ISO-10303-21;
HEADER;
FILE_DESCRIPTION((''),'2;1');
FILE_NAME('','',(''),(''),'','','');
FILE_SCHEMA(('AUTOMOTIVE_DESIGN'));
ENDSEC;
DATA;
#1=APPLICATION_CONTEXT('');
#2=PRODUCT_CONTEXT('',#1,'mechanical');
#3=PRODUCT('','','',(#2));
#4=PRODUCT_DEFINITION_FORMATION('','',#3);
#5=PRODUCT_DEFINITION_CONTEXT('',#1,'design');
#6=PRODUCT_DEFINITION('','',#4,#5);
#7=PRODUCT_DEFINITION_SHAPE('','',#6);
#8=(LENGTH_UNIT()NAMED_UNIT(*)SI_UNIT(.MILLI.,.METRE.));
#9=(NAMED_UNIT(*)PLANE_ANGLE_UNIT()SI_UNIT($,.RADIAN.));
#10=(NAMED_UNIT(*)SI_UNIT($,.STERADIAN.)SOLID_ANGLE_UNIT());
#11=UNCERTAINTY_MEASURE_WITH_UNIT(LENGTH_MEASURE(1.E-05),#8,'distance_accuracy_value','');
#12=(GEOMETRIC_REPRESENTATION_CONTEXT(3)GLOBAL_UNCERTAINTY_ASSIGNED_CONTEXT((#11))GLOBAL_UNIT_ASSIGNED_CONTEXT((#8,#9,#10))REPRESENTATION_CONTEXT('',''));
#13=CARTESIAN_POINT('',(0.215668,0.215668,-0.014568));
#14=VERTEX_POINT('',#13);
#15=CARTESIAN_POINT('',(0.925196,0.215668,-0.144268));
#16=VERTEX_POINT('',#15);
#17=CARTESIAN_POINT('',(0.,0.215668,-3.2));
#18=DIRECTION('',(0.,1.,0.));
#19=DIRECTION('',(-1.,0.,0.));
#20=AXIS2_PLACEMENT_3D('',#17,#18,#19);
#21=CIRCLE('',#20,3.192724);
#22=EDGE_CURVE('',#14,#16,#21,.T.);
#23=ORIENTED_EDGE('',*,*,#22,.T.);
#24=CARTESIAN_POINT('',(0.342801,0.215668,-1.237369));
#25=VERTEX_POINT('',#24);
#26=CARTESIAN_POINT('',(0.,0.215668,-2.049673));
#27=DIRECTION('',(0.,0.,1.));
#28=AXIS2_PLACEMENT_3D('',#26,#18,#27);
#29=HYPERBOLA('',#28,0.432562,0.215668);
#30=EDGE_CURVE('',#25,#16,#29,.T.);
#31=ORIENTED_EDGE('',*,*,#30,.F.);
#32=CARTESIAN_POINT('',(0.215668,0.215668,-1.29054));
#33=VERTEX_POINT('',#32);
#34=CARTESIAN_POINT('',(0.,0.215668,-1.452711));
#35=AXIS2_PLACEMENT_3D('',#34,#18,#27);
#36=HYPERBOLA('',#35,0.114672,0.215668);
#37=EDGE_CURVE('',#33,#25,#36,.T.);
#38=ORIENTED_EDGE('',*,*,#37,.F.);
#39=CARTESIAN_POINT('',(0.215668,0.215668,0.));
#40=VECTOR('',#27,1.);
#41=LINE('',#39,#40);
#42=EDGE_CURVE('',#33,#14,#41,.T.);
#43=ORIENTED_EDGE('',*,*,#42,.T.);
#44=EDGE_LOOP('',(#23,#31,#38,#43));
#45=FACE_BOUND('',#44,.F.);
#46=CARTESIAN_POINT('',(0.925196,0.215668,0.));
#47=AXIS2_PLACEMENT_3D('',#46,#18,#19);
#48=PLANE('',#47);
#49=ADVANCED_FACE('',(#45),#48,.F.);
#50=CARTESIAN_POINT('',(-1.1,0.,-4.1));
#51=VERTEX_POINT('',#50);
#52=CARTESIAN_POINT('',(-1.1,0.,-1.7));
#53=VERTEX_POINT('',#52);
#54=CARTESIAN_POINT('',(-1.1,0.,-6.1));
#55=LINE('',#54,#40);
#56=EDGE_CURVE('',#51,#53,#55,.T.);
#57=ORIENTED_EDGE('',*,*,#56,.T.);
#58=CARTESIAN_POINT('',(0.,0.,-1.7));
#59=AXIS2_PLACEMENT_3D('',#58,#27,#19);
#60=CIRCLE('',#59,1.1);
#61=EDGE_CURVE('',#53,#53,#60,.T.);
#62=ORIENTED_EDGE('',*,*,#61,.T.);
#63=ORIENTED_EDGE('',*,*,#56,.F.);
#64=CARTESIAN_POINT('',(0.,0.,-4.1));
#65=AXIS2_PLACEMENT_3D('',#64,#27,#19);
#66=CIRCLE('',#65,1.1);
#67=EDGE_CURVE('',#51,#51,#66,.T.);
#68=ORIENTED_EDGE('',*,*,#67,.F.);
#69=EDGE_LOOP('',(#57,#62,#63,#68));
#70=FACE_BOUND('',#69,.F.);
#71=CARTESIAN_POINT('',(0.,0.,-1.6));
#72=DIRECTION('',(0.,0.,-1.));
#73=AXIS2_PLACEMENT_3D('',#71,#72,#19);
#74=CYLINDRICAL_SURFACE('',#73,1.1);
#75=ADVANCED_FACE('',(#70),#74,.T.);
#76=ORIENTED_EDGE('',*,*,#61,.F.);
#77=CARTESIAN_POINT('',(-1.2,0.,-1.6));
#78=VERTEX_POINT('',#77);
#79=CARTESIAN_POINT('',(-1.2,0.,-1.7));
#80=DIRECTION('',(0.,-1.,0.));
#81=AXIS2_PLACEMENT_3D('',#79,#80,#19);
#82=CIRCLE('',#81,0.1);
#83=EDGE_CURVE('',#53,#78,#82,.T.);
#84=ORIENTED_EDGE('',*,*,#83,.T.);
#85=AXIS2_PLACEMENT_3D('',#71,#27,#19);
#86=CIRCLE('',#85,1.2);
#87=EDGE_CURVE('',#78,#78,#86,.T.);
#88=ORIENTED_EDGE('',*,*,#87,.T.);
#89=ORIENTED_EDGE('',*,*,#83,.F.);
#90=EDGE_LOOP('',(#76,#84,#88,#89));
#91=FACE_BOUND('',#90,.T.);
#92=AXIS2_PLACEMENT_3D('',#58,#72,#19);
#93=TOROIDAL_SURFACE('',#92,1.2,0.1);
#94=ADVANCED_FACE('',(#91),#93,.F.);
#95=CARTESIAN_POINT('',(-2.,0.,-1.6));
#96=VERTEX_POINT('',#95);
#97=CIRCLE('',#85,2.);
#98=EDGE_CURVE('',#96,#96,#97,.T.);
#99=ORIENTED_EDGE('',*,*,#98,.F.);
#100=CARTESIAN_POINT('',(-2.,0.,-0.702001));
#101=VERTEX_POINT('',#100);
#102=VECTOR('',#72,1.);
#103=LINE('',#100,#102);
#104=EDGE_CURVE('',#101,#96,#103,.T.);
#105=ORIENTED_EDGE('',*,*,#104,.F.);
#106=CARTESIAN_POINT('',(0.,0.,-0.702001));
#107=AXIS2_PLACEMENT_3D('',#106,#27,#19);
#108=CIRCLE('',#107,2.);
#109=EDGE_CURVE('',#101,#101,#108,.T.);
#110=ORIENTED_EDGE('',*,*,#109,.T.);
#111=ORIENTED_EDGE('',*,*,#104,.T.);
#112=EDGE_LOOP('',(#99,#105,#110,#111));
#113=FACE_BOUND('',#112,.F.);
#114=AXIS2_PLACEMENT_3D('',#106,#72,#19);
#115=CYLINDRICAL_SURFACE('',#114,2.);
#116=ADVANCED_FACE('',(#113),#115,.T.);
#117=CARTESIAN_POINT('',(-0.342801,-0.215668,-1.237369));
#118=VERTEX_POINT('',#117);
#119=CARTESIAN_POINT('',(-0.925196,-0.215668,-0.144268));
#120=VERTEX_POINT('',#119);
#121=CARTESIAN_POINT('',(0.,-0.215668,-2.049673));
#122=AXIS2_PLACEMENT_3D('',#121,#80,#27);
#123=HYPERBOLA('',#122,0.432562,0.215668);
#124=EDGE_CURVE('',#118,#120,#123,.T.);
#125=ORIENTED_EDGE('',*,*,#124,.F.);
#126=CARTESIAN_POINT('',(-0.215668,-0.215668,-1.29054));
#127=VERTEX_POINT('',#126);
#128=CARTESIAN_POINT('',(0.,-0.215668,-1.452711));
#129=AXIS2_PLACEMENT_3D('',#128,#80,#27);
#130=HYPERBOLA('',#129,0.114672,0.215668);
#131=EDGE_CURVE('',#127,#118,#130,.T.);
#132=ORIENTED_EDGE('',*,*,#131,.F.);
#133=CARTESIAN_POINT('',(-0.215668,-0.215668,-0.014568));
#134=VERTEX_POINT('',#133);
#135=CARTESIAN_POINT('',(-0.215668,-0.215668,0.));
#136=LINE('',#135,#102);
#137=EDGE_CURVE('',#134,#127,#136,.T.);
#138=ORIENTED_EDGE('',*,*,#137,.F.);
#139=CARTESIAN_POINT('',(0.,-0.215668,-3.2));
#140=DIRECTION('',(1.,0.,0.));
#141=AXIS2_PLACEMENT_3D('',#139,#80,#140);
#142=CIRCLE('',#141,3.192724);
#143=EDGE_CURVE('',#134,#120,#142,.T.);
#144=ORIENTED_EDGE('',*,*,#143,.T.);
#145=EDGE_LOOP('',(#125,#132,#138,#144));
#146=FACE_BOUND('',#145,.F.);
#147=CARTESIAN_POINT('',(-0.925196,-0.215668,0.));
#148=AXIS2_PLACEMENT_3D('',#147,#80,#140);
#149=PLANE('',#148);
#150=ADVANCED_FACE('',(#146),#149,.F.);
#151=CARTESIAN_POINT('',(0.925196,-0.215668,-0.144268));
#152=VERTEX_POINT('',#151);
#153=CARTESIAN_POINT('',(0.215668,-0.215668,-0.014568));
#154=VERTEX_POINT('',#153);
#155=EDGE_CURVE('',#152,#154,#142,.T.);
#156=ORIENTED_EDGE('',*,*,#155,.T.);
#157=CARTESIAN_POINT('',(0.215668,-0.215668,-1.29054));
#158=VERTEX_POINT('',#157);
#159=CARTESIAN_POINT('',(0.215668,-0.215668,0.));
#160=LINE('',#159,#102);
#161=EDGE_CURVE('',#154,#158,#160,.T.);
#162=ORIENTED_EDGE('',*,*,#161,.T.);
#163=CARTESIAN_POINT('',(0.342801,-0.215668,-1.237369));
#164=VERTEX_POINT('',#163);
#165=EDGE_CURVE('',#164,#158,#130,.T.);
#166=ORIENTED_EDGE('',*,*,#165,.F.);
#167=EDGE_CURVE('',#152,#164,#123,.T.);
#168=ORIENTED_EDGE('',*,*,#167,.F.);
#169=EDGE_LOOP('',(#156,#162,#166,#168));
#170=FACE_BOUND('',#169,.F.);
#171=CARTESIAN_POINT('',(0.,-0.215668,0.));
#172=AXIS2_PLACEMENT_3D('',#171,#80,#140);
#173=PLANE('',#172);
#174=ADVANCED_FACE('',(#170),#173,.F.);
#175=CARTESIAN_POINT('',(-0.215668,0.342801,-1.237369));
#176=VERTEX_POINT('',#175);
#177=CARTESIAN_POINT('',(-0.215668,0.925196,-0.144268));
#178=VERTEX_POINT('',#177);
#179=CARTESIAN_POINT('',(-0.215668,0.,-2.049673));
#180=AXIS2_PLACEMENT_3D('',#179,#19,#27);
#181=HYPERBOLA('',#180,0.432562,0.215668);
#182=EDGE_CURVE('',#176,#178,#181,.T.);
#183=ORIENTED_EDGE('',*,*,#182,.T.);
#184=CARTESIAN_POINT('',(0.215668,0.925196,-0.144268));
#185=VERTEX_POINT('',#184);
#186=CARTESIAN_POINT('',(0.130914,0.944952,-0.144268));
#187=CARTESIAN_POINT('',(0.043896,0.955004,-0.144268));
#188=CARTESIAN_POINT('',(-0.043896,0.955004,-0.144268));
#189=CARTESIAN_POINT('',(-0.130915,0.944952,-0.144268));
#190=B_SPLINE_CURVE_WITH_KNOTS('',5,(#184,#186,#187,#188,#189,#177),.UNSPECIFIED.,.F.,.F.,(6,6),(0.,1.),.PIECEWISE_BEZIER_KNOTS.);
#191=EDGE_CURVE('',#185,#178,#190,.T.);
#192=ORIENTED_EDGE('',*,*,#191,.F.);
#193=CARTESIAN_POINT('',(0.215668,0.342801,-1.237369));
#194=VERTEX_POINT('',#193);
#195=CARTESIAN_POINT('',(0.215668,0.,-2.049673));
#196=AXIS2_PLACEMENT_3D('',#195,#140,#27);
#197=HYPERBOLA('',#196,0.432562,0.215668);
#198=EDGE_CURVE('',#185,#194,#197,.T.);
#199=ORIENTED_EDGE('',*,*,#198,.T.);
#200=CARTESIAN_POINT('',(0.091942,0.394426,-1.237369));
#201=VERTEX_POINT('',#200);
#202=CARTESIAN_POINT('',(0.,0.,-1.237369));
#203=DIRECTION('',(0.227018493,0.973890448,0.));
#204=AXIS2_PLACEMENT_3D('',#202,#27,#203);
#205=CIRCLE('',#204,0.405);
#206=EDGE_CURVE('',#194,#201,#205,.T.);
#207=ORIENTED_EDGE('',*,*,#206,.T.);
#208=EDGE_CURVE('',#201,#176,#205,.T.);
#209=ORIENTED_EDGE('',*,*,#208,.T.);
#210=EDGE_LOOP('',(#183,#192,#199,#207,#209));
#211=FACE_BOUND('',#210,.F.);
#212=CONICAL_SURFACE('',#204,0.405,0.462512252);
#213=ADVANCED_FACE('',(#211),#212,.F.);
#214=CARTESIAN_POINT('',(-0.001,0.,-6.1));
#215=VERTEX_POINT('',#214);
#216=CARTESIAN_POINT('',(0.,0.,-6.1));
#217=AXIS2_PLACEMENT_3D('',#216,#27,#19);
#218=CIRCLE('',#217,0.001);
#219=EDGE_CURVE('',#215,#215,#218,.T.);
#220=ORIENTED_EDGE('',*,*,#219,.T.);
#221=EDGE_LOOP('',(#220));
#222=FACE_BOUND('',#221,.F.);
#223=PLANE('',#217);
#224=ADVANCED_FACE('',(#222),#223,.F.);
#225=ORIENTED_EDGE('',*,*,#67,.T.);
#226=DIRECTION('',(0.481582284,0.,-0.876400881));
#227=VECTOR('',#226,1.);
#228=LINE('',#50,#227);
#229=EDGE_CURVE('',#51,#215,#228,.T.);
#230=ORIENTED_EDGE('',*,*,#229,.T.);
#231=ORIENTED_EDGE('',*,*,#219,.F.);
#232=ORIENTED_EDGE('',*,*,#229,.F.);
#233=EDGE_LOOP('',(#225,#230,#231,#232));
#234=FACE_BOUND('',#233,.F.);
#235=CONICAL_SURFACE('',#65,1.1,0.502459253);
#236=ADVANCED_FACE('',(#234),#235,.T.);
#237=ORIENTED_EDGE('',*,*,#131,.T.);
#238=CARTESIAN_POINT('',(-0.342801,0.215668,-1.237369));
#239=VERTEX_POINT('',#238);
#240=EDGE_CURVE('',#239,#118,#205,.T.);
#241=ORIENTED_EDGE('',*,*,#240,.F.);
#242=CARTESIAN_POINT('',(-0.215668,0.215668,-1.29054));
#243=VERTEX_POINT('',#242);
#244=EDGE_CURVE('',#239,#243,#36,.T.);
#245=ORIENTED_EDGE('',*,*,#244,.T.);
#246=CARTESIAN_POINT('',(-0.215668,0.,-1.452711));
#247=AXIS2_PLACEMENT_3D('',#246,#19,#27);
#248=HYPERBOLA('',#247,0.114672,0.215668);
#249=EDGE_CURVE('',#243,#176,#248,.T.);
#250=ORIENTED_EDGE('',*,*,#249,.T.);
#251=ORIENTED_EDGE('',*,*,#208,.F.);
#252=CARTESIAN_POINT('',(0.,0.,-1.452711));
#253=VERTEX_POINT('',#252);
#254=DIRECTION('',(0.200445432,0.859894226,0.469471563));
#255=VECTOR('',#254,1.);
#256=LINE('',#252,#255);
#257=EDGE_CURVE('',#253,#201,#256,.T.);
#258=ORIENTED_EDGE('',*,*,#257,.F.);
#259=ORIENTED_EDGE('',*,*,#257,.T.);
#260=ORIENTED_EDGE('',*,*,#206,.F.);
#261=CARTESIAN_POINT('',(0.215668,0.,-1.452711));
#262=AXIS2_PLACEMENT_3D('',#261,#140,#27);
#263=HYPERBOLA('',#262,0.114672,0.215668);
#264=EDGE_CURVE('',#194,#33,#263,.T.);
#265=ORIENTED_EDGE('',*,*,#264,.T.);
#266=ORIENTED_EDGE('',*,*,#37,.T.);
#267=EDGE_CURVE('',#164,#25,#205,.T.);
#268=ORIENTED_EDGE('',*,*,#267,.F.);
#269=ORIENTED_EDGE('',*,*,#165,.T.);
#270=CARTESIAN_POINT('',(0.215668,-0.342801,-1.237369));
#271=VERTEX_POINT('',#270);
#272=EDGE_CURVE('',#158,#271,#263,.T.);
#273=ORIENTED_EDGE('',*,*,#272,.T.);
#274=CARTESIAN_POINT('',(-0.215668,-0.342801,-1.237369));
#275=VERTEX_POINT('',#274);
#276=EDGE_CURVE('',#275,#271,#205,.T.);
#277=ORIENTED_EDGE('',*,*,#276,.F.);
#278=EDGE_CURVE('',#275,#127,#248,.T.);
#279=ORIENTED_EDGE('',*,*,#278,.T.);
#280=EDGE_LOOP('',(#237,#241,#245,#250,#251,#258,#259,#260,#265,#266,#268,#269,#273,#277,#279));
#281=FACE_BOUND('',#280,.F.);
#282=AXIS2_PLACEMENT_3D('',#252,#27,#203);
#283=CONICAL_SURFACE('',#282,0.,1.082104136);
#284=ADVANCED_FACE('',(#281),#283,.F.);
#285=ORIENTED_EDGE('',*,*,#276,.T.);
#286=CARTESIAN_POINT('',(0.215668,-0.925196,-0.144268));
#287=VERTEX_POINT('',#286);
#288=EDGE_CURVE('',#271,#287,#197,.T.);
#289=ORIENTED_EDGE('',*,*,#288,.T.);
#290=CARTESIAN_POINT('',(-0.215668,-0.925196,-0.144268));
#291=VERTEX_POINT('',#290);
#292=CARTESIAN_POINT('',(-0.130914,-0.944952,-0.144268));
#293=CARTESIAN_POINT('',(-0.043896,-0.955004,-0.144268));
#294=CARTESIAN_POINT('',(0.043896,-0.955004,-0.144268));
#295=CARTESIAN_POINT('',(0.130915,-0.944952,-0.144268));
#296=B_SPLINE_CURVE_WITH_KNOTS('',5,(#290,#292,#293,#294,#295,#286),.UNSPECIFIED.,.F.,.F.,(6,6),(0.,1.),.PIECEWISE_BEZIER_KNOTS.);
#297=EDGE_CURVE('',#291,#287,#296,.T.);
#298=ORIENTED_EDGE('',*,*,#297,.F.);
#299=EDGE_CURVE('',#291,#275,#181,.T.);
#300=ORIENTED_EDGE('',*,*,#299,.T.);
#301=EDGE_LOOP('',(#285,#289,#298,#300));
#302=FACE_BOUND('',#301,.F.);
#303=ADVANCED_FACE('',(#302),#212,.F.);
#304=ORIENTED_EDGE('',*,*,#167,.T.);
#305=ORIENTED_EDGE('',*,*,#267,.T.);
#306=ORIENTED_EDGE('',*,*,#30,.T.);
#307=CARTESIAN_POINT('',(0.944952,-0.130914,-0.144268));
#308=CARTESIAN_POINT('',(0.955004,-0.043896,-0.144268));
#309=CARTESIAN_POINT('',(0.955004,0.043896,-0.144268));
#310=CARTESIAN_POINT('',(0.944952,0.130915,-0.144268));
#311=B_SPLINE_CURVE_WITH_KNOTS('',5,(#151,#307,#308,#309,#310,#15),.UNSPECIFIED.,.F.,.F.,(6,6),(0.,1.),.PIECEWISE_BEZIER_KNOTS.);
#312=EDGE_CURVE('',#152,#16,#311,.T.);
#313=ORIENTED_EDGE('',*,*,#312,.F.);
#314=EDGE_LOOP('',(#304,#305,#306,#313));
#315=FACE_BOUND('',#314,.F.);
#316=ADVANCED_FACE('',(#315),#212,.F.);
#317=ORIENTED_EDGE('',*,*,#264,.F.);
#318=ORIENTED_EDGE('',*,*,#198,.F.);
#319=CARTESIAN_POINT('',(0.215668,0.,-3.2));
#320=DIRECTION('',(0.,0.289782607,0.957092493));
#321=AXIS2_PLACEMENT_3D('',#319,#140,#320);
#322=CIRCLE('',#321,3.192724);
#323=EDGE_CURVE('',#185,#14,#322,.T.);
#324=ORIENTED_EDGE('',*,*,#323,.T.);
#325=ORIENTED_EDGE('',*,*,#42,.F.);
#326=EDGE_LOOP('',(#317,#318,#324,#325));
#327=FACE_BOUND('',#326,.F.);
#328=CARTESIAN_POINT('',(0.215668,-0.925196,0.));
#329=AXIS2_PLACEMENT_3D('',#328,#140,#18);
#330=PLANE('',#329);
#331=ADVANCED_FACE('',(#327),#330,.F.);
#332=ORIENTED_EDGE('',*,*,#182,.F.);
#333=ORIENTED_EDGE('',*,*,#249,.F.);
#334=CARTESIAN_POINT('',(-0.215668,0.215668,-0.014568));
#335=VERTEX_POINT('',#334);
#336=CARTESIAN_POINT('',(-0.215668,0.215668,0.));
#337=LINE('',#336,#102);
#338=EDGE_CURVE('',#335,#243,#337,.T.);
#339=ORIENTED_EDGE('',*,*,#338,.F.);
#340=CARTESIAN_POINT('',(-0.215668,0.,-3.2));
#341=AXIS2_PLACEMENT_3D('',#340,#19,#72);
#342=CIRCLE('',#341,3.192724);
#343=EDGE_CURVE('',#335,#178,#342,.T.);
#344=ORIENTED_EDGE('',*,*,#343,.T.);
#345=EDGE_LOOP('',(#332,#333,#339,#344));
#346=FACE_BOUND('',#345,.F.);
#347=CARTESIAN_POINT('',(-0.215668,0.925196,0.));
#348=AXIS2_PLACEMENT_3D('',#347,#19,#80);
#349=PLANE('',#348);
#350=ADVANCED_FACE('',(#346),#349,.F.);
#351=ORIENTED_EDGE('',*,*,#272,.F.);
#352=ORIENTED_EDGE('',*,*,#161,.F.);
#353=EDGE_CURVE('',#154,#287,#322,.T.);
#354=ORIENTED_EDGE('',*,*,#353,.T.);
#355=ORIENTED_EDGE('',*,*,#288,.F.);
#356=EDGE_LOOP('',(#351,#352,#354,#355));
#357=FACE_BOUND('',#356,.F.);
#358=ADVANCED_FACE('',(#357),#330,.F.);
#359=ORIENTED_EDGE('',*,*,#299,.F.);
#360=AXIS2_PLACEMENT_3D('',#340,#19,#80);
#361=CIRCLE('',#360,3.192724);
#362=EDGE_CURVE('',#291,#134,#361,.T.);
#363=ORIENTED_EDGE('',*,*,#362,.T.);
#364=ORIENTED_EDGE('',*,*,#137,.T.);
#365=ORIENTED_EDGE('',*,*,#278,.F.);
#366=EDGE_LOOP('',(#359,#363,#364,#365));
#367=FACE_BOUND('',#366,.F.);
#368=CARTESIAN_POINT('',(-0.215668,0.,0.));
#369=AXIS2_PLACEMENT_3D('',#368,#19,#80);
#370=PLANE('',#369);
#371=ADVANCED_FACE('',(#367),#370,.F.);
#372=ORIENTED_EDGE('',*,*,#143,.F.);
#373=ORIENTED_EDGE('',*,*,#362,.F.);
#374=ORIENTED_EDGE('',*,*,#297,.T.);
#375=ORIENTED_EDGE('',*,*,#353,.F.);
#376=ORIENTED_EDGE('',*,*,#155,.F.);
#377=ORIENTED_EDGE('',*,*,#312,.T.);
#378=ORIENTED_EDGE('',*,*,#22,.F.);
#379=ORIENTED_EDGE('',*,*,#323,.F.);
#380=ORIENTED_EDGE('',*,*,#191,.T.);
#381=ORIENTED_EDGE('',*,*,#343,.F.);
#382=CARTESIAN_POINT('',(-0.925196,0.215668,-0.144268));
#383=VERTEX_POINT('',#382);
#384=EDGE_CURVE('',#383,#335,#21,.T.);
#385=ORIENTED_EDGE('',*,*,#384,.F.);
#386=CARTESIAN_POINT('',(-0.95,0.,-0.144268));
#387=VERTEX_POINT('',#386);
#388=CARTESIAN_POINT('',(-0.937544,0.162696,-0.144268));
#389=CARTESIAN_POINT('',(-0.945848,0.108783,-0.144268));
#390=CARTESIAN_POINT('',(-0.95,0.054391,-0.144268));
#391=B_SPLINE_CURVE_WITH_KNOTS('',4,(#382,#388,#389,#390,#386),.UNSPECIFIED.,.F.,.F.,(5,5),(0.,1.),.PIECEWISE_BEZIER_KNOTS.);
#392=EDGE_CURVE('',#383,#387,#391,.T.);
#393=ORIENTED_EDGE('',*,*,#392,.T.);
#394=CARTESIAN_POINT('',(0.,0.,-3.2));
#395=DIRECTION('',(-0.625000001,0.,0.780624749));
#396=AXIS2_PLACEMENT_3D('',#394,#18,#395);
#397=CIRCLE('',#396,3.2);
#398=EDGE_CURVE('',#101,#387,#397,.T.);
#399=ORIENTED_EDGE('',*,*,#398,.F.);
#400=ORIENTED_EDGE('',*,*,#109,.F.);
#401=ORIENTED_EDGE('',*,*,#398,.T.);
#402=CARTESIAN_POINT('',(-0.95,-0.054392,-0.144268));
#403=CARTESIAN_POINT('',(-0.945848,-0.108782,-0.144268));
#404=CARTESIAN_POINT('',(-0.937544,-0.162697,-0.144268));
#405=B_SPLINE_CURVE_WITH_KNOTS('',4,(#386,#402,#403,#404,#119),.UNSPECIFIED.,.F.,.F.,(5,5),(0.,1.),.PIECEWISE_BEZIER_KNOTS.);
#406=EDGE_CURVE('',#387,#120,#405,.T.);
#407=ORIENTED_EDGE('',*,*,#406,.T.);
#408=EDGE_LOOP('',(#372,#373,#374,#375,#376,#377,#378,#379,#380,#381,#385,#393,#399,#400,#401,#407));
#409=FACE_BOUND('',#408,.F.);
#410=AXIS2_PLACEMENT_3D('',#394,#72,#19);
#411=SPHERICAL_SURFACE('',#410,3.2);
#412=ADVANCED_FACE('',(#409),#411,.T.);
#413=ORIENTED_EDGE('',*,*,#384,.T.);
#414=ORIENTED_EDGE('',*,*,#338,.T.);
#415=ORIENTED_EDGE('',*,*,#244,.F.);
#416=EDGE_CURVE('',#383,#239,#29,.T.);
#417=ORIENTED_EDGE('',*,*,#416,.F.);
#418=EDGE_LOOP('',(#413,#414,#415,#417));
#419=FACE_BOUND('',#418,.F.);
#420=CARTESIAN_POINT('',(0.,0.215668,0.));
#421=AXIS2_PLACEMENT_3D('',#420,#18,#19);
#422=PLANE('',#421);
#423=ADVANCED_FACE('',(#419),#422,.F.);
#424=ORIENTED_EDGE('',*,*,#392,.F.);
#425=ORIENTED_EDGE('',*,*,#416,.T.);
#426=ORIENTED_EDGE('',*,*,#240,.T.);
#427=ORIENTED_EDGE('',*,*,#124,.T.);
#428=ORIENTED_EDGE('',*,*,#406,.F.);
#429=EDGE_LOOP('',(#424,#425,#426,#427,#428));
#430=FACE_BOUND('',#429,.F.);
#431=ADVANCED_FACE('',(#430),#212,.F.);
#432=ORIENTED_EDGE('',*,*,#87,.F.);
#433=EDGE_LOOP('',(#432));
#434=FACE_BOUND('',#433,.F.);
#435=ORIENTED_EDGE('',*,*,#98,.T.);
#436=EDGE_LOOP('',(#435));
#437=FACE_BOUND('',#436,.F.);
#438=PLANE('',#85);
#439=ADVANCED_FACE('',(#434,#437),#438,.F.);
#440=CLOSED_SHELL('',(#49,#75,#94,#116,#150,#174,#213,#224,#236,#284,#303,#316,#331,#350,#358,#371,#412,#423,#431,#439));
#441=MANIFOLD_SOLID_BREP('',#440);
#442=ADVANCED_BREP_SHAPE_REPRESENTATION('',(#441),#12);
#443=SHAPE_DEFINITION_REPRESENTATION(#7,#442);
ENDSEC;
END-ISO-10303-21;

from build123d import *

# Parameters (mm, degrees)
SLOT_DEPTH        = 1.9
CIRPATTERN1_COUNT = 4
CHAMFER1_SIZE     = 2
CHAMFER1_SIZE2    = 1.099
FILLET1_R         = 0.1


with BuildPart() as part:
    # Sketch1 → BaseBody (revolve)
    with BuildSketch(Plane(origin=(0, 0, 0), x_dir=(0, 0, -1), z_dir=(1, 0, 0)), mode=Mode.PRIVATE) as basebody_sk:
        with BuildLine():
            Line((0.702000801, 2), (1.6, 2))
            Line((1.6, 2), (1.6, 1.1))
            Line((1.6, 1.1), (6.1, 1.1))
            Line((6.1, 1.1), (6.1, 0))
            Line((6.1, 0), (0, 0))
            ThreePointArc((0, 0), (0.180596297, 1.059811908), (0.702000801, 2))
        make_face()
    revolve(basebody_sk.sketch.rotate(Axis((0, 0, -104.616192041), (0, 0, 1)), 90), axis=Axis((0, 0, -104.616192041), (0, 0, 1)))

    # Sketch2 → Slot (cut)
    with BuildSketch(Plane.XY):
        with BuildLine():
            Line((-0.215667568, 0.925195925), (-0.215667568, 0))
            Line((-0.215667568, 0), (0.215667568, 0))
            Line((0.215667568, 0), (0.215667568, 0.925195925))
            ThreePointArc((0.215667568, 0.925195925), (0, 0.95), (-0.215667568, 0.925195925))
        make_face()
    slot = extrude(amount=-SLOT_DEPTH, mode=Mode.SUBTRACT)

    # CirPattern1: Slot ×4 about axis
    cirpattern1_axis = Axis((0, 0, 0), (0, 0, 1))
    for i in range(1, CIRPATTERN1_COUNT):
        add(slot.rotate(cirpattern1_axis, i * 360 / CIRPATTERN1_COUNT), mode=Mode.SUBTRACT)

    # Sketch4 → BaseBodySlot (revolve)
    with BuildSketch(Plane(origin=(0, 0, 0), x_dir=(0, 0, -1), z_dir=(1, 0, 0)), mode=Mode.PRIVATE) as basebodyslot_sk:
        with BuildLine():
            Line((0.625121362, 1.9), (1.6, 1.9))
            Line((1.6, 1.9), (1.6, 1.1))
            Line((1.6, 1.1), (1.91, 1.1))
            Line((1.91, 1.1), (1.91, 0))
            Line((1.91, 0), (1.452710893, 0))
            Line((1.452710893, 0), (1.237368573, 0.405))
            Line((1.237368573, 0.405), (0.144267682, 0.95))
            ThreePointArc((0.144267682, 0.95), (0.344904566, 1.445140154), (0.625121362, 1.9))
        make_face()
    revolve(basebodyslot_sk.sketch.rotate(Axis((0, 0, -5.068214653), (0, 0, 1)), 346.878398747), axis=Axis((0, 0, -5.068214653), (0, 0, 1)))

    # Chamfer1
    chamfer1_edges = [part.edges().sort_by_distance(p)[0] for p in [
        (1.1, 0, -6.1),
    ]]
    chamfer1_side = [part.faces().sort_by_distance(p)[0] for p in [
        (1.1, 0, -3.85),
    ]]
    chamfer(chamfer1_edges, length=CHAMFER1_SIZE, length2=CHAMFER1_SIZE2, reference=chamfer1_side[0])

    # Fillet1
    fillet1_edges = [part.edges().sort_by_distance(p)[0] for p in [
        (1.1, 0, -1.6),
    ]]
    fillet(fillet1_edges, radius=FILLET1_R)


solid = part.part
